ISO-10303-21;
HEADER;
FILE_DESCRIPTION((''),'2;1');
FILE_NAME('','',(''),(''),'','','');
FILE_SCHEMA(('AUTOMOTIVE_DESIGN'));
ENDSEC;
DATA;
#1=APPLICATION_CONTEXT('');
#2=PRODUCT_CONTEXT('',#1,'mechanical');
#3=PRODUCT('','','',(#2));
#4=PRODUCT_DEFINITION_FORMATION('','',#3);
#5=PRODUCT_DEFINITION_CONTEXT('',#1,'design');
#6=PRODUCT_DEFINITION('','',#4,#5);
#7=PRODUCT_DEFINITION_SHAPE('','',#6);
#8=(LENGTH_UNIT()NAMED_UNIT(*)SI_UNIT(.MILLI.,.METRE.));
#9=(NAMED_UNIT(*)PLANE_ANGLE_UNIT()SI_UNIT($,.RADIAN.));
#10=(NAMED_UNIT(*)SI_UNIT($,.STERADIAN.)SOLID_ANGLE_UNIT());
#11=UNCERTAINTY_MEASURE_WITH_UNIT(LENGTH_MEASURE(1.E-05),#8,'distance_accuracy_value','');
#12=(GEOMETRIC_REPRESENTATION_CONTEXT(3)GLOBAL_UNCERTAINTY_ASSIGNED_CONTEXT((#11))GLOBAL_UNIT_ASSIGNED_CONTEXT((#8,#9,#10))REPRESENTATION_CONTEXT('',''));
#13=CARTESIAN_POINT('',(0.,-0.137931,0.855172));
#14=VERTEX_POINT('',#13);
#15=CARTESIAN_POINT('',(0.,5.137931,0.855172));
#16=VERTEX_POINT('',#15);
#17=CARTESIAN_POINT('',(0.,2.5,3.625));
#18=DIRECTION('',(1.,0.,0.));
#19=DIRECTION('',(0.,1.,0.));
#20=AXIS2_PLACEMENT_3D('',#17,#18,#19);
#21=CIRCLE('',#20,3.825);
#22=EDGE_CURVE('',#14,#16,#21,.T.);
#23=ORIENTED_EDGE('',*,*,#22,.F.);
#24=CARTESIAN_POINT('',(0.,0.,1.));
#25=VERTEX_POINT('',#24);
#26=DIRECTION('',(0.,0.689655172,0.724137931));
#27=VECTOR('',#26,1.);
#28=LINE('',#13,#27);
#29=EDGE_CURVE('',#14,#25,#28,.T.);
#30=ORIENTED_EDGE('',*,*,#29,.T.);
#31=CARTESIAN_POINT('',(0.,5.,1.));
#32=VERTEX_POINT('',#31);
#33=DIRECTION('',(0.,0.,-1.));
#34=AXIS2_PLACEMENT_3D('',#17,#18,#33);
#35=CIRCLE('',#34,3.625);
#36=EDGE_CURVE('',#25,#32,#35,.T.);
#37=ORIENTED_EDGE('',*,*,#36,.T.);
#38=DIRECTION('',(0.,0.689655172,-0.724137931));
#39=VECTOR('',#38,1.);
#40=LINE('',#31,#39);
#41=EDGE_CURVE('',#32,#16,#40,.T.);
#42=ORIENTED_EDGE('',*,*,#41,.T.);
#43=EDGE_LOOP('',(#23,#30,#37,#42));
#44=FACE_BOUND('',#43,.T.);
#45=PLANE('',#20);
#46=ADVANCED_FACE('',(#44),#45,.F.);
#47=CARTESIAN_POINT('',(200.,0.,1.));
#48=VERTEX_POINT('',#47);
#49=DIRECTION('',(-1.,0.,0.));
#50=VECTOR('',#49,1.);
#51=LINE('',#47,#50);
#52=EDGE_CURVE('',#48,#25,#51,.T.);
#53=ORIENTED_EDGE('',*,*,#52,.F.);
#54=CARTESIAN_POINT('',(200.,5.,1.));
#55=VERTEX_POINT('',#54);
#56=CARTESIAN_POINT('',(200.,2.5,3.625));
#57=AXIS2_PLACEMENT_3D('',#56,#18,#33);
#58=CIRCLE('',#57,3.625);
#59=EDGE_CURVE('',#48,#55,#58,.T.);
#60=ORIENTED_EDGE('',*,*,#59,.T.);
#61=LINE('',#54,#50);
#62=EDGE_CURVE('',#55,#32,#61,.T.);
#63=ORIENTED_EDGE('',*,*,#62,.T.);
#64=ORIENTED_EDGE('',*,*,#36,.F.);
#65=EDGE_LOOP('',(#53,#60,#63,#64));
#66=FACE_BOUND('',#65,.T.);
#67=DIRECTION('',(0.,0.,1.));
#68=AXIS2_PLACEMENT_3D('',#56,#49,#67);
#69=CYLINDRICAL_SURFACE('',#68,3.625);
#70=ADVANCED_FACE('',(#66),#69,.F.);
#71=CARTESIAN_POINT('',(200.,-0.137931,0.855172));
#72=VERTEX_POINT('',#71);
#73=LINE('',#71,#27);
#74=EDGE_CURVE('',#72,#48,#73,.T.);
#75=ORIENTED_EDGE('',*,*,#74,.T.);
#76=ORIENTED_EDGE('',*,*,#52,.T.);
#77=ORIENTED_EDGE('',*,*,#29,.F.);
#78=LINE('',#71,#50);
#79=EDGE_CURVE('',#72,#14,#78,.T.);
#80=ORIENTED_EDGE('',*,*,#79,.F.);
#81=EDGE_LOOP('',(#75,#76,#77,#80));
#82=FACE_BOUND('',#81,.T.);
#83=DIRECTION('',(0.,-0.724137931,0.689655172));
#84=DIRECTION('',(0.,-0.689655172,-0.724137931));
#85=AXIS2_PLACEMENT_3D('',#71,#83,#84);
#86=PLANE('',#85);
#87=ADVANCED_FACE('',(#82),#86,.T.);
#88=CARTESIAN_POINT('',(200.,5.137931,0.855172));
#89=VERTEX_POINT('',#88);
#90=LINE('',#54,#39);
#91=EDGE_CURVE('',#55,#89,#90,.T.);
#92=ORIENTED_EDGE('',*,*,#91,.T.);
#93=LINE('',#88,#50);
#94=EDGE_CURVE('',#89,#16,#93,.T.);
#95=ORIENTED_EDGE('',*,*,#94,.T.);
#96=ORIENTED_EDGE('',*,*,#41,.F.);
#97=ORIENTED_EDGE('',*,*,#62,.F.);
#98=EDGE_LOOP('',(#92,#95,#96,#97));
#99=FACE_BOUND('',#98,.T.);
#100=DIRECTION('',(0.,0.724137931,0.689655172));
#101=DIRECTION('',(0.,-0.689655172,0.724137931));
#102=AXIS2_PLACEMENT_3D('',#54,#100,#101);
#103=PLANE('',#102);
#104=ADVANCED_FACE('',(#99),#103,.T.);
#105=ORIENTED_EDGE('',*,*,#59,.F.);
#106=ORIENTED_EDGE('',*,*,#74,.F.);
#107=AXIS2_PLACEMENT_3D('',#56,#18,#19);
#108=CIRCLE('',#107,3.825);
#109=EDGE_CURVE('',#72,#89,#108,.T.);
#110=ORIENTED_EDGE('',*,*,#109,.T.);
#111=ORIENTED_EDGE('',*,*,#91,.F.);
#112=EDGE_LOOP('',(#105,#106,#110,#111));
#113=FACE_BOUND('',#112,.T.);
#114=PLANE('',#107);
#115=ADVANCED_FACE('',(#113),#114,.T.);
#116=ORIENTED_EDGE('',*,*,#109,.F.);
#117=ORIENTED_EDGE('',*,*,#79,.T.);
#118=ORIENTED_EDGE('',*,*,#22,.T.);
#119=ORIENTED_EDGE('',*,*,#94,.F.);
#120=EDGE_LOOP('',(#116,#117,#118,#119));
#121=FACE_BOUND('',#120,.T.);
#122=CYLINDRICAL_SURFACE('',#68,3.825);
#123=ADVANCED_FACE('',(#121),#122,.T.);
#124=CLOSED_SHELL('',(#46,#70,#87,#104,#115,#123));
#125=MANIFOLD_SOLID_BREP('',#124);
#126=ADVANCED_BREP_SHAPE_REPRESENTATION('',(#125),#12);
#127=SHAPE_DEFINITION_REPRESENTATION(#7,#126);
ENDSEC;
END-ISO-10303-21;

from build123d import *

# Parameters (mm, degrees)
EXTRUDE_THIN1_DEPTH = 200


with BuildPart() as part:
    # Sketch1 → Extrude-Thin1 (new body)
    with BuildSketch(Plane.YZ):
        with BuildLine():
            ThreePointArc((0, 1), (2.5, 0), (5, 1))
            Line((5, 1), (5.137931034, 0.855172414))
            ThreePointArc((5.137931034, 0.855172414), (2.5, -0.2), (-0.137931034, 0.855172414))
            Line((-0.137931034, 0.855172414), (0, 1))
        make_face()
    extrude(amount=EXTRUDE_THIN1_DEPTH)


solid = part.part
